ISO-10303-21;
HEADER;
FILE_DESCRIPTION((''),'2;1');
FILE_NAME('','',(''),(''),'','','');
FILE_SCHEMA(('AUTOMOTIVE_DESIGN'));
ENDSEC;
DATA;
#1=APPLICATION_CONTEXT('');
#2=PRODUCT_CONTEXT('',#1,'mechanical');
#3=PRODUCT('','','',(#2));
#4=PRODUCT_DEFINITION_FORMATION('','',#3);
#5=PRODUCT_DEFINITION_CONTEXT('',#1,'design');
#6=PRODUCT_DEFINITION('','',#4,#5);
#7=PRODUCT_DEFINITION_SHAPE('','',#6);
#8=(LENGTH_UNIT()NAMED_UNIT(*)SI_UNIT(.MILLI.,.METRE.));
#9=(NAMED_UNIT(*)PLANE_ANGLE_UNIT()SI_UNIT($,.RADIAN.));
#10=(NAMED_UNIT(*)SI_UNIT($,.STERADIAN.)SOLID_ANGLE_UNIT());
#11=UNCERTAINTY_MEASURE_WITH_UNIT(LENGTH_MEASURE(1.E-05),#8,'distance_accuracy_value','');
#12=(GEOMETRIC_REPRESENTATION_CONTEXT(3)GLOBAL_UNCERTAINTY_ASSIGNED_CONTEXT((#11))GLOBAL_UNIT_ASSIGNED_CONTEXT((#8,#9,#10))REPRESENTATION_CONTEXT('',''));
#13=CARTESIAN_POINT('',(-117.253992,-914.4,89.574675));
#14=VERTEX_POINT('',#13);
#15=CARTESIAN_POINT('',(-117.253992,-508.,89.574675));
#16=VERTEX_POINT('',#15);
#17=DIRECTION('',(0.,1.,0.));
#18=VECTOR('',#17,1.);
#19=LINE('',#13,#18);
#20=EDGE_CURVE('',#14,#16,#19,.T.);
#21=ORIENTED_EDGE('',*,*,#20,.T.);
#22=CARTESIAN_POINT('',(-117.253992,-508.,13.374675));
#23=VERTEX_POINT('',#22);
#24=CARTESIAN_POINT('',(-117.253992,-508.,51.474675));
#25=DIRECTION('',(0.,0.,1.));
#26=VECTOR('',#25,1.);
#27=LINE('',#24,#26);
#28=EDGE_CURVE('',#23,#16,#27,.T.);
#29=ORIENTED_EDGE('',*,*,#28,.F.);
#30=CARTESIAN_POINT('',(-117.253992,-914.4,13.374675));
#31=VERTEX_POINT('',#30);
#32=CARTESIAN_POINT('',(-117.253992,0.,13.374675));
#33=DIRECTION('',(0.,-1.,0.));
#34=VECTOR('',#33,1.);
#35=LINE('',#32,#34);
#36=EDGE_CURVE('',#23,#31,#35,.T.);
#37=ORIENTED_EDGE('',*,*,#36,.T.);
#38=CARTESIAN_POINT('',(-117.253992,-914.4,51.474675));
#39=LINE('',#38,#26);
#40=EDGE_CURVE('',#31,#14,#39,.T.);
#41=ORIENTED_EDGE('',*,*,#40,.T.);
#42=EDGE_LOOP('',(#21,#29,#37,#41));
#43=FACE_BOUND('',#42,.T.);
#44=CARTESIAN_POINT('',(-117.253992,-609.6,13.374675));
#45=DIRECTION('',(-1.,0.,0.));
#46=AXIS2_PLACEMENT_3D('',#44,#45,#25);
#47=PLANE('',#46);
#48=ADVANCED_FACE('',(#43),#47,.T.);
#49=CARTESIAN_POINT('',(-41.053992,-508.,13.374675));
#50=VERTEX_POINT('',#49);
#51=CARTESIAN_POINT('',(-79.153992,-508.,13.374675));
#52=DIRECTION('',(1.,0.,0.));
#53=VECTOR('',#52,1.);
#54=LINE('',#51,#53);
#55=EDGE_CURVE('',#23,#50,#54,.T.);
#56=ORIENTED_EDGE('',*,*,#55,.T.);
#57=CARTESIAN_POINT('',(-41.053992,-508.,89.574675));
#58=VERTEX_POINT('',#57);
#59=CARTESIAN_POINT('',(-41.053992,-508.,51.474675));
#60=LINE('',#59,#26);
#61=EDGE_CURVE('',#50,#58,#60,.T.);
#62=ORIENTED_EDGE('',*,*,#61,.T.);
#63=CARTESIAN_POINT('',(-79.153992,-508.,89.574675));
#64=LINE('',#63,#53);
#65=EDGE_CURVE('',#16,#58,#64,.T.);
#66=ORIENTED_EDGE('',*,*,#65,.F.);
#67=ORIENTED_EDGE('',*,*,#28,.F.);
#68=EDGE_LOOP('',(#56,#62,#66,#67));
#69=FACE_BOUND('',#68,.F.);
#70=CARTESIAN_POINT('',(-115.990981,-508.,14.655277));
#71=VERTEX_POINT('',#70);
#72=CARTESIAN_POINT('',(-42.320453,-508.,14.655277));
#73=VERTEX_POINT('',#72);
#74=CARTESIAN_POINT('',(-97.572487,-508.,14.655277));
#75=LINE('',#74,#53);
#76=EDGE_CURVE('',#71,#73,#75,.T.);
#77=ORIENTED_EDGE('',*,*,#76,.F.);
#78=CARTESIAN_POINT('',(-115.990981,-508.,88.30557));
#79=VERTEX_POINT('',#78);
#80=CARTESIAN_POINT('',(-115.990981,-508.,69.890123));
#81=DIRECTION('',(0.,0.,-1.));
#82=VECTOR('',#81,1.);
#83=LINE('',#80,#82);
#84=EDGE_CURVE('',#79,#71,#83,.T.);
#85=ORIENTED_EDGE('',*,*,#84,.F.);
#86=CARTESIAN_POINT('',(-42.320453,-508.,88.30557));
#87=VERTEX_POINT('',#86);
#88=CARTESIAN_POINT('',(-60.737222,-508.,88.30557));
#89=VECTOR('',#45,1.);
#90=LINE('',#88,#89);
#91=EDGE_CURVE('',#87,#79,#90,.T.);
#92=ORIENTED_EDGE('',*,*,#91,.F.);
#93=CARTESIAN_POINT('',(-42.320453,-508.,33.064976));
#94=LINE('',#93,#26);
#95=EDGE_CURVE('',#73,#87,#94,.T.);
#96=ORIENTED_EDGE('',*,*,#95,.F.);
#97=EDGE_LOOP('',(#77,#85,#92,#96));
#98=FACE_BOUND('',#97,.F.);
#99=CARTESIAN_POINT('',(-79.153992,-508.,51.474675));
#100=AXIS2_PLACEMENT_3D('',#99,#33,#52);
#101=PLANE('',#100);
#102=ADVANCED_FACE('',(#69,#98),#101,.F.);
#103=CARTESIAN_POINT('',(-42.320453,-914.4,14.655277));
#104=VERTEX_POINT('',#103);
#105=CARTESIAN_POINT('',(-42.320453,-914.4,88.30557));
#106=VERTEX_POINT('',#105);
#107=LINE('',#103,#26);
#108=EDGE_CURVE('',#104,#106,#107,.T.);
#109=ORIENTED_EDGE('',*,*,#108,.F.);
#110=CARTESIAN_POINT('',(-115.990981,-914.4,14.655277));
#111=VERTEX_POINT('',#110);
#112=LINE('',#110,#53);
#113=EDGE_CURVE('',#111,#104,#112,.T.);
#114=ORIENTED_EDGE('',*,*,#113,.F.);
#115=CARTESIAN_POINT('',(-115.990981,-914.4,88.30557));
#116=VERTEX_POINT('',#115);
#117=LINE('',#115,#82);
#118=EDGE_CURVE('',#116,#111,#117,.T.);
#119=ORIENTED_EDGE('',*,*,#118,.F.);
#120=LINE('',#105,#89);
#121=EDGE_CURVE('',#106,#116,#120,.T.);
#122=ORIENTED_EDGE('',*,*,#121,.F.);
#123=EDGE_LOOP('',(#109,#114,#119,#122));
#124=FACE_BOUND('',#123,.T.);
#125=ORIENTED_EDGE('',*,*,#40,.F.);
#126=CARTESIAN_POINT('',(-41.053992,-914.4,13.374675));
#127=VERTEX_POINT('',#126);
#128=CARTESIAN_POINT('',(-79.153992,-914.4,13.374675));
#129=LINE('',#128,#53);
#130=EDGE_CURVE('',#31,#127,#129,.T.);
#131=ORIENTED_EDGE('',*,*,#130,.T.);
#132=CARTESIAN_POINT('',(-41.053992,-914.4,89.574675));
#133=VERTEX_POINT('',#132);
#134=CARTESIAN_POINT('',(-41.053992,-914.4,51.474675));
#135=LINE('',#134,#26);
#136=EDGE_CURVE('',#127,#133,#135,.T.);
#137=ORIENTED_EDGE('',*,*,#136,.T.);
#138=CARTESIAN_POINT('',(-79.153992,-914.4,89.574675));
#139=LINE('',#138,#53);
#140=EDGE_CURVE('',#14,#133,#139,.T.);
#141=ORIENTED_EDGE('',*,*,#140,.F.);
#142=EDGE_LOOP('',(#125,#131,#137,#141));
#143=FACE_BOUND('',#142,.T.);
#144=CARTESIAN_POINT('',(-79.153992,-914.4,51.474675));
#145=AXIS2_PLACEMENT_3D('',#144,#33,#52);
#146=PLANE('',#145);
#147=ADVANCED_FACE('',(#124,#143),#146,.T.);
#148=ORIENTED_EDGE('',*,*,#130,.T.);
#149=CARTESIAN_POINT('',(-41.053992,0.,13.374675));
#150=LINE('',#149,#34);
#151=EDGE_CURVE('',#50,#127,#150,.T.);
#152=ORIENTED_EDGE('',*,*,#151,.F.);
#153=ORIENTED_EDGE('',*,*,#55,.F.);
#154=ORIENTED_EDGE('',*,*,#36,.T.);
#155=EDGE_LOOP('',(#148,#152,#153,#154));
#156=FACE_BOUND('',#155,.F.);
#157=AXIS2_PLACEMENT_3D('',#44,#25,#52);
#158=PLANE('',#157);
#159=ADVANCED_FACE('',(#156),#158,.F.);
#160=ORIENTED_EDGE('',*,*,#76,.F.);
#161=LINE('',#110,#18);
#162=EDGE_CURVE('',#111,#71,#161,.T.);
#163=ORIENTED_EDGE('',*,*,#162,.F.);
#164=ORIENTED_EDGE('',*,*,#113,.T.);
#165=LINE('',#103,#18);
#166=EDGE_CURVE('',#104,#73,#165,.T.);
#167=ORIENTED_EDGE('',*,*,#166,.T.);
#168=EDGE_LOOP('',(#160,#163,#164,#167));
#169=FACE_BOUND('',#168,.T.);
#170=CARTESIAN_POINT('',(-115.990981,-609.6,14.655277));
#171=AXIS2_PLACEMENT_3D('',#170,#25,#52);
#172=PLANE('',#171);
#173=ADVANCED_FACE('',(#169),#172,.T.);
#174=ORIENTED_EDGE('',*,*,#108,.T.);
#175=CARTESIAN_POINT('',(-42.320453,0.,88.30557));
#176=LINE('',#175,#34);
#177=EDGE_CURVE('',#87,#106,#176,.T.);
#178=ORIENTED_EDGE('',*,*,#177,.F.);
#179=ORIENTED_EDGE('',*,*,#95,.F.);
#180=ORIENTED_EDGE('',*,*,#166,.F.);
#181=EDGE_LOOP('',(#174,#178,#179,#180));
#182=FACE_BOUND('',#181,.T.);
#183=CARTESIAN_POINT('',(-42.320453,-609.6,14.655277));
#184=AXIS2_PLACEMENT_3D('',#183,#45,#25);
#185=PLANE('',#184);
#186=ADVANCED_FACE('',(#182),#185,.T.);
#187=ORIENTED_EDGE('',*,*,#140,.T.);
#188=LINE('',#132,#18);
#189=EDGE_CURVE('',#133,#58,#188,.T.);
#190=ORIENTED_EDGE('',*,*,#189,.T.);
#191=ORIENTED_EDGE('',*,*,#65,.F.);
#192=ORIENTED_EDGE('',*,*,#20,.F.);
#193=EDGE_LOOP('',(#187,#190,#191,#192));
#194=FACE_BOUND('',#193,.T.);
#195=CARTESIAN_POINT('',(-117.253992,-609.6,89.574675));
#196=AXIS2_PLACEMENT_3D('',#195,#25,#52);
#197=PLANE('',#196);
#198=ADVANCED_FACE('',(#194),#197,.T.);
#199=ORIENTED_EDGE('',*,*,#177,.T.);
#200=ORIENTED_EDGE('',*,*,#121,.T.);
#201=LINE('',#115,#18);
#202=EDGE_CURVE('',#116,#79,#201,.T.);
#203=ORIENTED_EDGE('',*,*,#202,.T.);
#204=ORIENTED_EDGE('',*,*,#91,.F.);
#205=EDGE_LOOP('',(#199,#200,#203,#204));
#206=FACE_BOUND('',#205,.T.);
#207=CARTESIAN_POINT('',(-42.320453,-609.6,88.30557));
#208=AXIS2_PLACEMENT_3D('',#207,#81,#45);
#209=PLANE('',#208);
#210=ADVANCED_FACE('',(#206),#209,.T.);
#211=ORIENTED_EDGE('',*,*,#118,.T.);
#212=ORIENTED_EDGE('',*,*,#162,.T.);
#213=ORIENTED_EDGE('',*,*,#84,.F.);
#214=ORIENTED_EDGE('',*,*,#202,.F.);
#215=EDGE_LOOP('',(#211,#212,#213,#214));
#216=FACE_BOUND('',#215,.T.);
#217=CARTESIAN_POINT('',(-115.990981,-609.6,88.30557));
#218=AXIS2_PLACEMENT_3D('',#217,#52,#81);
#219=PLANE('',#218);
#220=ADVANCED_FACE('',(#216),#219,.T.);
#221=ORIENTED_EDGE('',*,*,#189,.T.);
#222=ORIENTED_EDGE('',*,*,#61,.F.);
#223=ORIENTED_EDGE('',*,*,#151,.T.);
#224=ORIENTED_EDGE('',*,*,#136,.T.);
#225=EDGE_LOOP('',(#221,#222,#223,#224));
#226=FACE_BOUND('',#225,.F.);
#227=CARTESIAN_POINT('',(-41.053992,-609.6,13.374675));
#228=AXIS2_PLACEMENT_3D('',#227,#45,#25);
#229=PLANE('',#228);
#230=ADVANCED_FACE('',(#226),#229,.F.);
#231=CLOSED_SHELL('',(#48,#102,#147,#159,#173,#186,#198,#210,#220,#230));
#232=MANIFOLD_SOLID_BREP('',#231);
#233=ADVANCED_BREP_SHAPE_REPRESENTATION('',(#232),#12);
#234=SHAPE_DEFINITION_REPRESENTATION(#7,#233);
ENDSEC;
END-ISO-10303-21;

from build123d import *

# Parameters (mm, degrees)
F0_W     = 76.2
F0_H     = 76.2
F1_DEPTH = 609.6
F3_DEPTH = 914.4
F4_DEPTH = 304.8
F5_DEPTH = 508


with BuildPart() as f1:
    # F0 (on Front) → F1 (new body)
    with BuildSketch(Plane.XZ):
        with Locations((-79.1539917648, 51.4746750653)):
            Rectangle(F0_W, F0_H)
    extrude(amount=F1_DEPTH)

    # F2 (on face) → F3 (cut)
    with BuildSketch(Plane.XZ.offset(609.6)):
        Polygon((-42.3204526305, 88.3055701852), (-98.6881405115, 88.3055701852), (-115.9909814596, 88.3055701852), (-115.9909814596, 14.655277133), (-42.3204526305, 14.655277133), align=None)
    extrude(amount=-F3_DEPTH, mode=Mode.SUBTRACT)

    # F4 (add): a face of the model
    f4_faces = [f1.faces().sort_by_distance(p)[0] for p in [
        (-42.1316224993, -609.6, 51.4746750653),
    ]]
    extrude(f4_faces, amount=F4_DEPTH)

    # F5 (cut): a face of the model
    f5_faces = [f1.faces().sort_by_distance(p)[0] for p in [
        (-42.1316224993, 0, 51.4746750653),
    ]]
    extrude(f5_faces, amount=-F5_DEPTH, mode=Mode.SUBTRACT)


solid = f1.part
